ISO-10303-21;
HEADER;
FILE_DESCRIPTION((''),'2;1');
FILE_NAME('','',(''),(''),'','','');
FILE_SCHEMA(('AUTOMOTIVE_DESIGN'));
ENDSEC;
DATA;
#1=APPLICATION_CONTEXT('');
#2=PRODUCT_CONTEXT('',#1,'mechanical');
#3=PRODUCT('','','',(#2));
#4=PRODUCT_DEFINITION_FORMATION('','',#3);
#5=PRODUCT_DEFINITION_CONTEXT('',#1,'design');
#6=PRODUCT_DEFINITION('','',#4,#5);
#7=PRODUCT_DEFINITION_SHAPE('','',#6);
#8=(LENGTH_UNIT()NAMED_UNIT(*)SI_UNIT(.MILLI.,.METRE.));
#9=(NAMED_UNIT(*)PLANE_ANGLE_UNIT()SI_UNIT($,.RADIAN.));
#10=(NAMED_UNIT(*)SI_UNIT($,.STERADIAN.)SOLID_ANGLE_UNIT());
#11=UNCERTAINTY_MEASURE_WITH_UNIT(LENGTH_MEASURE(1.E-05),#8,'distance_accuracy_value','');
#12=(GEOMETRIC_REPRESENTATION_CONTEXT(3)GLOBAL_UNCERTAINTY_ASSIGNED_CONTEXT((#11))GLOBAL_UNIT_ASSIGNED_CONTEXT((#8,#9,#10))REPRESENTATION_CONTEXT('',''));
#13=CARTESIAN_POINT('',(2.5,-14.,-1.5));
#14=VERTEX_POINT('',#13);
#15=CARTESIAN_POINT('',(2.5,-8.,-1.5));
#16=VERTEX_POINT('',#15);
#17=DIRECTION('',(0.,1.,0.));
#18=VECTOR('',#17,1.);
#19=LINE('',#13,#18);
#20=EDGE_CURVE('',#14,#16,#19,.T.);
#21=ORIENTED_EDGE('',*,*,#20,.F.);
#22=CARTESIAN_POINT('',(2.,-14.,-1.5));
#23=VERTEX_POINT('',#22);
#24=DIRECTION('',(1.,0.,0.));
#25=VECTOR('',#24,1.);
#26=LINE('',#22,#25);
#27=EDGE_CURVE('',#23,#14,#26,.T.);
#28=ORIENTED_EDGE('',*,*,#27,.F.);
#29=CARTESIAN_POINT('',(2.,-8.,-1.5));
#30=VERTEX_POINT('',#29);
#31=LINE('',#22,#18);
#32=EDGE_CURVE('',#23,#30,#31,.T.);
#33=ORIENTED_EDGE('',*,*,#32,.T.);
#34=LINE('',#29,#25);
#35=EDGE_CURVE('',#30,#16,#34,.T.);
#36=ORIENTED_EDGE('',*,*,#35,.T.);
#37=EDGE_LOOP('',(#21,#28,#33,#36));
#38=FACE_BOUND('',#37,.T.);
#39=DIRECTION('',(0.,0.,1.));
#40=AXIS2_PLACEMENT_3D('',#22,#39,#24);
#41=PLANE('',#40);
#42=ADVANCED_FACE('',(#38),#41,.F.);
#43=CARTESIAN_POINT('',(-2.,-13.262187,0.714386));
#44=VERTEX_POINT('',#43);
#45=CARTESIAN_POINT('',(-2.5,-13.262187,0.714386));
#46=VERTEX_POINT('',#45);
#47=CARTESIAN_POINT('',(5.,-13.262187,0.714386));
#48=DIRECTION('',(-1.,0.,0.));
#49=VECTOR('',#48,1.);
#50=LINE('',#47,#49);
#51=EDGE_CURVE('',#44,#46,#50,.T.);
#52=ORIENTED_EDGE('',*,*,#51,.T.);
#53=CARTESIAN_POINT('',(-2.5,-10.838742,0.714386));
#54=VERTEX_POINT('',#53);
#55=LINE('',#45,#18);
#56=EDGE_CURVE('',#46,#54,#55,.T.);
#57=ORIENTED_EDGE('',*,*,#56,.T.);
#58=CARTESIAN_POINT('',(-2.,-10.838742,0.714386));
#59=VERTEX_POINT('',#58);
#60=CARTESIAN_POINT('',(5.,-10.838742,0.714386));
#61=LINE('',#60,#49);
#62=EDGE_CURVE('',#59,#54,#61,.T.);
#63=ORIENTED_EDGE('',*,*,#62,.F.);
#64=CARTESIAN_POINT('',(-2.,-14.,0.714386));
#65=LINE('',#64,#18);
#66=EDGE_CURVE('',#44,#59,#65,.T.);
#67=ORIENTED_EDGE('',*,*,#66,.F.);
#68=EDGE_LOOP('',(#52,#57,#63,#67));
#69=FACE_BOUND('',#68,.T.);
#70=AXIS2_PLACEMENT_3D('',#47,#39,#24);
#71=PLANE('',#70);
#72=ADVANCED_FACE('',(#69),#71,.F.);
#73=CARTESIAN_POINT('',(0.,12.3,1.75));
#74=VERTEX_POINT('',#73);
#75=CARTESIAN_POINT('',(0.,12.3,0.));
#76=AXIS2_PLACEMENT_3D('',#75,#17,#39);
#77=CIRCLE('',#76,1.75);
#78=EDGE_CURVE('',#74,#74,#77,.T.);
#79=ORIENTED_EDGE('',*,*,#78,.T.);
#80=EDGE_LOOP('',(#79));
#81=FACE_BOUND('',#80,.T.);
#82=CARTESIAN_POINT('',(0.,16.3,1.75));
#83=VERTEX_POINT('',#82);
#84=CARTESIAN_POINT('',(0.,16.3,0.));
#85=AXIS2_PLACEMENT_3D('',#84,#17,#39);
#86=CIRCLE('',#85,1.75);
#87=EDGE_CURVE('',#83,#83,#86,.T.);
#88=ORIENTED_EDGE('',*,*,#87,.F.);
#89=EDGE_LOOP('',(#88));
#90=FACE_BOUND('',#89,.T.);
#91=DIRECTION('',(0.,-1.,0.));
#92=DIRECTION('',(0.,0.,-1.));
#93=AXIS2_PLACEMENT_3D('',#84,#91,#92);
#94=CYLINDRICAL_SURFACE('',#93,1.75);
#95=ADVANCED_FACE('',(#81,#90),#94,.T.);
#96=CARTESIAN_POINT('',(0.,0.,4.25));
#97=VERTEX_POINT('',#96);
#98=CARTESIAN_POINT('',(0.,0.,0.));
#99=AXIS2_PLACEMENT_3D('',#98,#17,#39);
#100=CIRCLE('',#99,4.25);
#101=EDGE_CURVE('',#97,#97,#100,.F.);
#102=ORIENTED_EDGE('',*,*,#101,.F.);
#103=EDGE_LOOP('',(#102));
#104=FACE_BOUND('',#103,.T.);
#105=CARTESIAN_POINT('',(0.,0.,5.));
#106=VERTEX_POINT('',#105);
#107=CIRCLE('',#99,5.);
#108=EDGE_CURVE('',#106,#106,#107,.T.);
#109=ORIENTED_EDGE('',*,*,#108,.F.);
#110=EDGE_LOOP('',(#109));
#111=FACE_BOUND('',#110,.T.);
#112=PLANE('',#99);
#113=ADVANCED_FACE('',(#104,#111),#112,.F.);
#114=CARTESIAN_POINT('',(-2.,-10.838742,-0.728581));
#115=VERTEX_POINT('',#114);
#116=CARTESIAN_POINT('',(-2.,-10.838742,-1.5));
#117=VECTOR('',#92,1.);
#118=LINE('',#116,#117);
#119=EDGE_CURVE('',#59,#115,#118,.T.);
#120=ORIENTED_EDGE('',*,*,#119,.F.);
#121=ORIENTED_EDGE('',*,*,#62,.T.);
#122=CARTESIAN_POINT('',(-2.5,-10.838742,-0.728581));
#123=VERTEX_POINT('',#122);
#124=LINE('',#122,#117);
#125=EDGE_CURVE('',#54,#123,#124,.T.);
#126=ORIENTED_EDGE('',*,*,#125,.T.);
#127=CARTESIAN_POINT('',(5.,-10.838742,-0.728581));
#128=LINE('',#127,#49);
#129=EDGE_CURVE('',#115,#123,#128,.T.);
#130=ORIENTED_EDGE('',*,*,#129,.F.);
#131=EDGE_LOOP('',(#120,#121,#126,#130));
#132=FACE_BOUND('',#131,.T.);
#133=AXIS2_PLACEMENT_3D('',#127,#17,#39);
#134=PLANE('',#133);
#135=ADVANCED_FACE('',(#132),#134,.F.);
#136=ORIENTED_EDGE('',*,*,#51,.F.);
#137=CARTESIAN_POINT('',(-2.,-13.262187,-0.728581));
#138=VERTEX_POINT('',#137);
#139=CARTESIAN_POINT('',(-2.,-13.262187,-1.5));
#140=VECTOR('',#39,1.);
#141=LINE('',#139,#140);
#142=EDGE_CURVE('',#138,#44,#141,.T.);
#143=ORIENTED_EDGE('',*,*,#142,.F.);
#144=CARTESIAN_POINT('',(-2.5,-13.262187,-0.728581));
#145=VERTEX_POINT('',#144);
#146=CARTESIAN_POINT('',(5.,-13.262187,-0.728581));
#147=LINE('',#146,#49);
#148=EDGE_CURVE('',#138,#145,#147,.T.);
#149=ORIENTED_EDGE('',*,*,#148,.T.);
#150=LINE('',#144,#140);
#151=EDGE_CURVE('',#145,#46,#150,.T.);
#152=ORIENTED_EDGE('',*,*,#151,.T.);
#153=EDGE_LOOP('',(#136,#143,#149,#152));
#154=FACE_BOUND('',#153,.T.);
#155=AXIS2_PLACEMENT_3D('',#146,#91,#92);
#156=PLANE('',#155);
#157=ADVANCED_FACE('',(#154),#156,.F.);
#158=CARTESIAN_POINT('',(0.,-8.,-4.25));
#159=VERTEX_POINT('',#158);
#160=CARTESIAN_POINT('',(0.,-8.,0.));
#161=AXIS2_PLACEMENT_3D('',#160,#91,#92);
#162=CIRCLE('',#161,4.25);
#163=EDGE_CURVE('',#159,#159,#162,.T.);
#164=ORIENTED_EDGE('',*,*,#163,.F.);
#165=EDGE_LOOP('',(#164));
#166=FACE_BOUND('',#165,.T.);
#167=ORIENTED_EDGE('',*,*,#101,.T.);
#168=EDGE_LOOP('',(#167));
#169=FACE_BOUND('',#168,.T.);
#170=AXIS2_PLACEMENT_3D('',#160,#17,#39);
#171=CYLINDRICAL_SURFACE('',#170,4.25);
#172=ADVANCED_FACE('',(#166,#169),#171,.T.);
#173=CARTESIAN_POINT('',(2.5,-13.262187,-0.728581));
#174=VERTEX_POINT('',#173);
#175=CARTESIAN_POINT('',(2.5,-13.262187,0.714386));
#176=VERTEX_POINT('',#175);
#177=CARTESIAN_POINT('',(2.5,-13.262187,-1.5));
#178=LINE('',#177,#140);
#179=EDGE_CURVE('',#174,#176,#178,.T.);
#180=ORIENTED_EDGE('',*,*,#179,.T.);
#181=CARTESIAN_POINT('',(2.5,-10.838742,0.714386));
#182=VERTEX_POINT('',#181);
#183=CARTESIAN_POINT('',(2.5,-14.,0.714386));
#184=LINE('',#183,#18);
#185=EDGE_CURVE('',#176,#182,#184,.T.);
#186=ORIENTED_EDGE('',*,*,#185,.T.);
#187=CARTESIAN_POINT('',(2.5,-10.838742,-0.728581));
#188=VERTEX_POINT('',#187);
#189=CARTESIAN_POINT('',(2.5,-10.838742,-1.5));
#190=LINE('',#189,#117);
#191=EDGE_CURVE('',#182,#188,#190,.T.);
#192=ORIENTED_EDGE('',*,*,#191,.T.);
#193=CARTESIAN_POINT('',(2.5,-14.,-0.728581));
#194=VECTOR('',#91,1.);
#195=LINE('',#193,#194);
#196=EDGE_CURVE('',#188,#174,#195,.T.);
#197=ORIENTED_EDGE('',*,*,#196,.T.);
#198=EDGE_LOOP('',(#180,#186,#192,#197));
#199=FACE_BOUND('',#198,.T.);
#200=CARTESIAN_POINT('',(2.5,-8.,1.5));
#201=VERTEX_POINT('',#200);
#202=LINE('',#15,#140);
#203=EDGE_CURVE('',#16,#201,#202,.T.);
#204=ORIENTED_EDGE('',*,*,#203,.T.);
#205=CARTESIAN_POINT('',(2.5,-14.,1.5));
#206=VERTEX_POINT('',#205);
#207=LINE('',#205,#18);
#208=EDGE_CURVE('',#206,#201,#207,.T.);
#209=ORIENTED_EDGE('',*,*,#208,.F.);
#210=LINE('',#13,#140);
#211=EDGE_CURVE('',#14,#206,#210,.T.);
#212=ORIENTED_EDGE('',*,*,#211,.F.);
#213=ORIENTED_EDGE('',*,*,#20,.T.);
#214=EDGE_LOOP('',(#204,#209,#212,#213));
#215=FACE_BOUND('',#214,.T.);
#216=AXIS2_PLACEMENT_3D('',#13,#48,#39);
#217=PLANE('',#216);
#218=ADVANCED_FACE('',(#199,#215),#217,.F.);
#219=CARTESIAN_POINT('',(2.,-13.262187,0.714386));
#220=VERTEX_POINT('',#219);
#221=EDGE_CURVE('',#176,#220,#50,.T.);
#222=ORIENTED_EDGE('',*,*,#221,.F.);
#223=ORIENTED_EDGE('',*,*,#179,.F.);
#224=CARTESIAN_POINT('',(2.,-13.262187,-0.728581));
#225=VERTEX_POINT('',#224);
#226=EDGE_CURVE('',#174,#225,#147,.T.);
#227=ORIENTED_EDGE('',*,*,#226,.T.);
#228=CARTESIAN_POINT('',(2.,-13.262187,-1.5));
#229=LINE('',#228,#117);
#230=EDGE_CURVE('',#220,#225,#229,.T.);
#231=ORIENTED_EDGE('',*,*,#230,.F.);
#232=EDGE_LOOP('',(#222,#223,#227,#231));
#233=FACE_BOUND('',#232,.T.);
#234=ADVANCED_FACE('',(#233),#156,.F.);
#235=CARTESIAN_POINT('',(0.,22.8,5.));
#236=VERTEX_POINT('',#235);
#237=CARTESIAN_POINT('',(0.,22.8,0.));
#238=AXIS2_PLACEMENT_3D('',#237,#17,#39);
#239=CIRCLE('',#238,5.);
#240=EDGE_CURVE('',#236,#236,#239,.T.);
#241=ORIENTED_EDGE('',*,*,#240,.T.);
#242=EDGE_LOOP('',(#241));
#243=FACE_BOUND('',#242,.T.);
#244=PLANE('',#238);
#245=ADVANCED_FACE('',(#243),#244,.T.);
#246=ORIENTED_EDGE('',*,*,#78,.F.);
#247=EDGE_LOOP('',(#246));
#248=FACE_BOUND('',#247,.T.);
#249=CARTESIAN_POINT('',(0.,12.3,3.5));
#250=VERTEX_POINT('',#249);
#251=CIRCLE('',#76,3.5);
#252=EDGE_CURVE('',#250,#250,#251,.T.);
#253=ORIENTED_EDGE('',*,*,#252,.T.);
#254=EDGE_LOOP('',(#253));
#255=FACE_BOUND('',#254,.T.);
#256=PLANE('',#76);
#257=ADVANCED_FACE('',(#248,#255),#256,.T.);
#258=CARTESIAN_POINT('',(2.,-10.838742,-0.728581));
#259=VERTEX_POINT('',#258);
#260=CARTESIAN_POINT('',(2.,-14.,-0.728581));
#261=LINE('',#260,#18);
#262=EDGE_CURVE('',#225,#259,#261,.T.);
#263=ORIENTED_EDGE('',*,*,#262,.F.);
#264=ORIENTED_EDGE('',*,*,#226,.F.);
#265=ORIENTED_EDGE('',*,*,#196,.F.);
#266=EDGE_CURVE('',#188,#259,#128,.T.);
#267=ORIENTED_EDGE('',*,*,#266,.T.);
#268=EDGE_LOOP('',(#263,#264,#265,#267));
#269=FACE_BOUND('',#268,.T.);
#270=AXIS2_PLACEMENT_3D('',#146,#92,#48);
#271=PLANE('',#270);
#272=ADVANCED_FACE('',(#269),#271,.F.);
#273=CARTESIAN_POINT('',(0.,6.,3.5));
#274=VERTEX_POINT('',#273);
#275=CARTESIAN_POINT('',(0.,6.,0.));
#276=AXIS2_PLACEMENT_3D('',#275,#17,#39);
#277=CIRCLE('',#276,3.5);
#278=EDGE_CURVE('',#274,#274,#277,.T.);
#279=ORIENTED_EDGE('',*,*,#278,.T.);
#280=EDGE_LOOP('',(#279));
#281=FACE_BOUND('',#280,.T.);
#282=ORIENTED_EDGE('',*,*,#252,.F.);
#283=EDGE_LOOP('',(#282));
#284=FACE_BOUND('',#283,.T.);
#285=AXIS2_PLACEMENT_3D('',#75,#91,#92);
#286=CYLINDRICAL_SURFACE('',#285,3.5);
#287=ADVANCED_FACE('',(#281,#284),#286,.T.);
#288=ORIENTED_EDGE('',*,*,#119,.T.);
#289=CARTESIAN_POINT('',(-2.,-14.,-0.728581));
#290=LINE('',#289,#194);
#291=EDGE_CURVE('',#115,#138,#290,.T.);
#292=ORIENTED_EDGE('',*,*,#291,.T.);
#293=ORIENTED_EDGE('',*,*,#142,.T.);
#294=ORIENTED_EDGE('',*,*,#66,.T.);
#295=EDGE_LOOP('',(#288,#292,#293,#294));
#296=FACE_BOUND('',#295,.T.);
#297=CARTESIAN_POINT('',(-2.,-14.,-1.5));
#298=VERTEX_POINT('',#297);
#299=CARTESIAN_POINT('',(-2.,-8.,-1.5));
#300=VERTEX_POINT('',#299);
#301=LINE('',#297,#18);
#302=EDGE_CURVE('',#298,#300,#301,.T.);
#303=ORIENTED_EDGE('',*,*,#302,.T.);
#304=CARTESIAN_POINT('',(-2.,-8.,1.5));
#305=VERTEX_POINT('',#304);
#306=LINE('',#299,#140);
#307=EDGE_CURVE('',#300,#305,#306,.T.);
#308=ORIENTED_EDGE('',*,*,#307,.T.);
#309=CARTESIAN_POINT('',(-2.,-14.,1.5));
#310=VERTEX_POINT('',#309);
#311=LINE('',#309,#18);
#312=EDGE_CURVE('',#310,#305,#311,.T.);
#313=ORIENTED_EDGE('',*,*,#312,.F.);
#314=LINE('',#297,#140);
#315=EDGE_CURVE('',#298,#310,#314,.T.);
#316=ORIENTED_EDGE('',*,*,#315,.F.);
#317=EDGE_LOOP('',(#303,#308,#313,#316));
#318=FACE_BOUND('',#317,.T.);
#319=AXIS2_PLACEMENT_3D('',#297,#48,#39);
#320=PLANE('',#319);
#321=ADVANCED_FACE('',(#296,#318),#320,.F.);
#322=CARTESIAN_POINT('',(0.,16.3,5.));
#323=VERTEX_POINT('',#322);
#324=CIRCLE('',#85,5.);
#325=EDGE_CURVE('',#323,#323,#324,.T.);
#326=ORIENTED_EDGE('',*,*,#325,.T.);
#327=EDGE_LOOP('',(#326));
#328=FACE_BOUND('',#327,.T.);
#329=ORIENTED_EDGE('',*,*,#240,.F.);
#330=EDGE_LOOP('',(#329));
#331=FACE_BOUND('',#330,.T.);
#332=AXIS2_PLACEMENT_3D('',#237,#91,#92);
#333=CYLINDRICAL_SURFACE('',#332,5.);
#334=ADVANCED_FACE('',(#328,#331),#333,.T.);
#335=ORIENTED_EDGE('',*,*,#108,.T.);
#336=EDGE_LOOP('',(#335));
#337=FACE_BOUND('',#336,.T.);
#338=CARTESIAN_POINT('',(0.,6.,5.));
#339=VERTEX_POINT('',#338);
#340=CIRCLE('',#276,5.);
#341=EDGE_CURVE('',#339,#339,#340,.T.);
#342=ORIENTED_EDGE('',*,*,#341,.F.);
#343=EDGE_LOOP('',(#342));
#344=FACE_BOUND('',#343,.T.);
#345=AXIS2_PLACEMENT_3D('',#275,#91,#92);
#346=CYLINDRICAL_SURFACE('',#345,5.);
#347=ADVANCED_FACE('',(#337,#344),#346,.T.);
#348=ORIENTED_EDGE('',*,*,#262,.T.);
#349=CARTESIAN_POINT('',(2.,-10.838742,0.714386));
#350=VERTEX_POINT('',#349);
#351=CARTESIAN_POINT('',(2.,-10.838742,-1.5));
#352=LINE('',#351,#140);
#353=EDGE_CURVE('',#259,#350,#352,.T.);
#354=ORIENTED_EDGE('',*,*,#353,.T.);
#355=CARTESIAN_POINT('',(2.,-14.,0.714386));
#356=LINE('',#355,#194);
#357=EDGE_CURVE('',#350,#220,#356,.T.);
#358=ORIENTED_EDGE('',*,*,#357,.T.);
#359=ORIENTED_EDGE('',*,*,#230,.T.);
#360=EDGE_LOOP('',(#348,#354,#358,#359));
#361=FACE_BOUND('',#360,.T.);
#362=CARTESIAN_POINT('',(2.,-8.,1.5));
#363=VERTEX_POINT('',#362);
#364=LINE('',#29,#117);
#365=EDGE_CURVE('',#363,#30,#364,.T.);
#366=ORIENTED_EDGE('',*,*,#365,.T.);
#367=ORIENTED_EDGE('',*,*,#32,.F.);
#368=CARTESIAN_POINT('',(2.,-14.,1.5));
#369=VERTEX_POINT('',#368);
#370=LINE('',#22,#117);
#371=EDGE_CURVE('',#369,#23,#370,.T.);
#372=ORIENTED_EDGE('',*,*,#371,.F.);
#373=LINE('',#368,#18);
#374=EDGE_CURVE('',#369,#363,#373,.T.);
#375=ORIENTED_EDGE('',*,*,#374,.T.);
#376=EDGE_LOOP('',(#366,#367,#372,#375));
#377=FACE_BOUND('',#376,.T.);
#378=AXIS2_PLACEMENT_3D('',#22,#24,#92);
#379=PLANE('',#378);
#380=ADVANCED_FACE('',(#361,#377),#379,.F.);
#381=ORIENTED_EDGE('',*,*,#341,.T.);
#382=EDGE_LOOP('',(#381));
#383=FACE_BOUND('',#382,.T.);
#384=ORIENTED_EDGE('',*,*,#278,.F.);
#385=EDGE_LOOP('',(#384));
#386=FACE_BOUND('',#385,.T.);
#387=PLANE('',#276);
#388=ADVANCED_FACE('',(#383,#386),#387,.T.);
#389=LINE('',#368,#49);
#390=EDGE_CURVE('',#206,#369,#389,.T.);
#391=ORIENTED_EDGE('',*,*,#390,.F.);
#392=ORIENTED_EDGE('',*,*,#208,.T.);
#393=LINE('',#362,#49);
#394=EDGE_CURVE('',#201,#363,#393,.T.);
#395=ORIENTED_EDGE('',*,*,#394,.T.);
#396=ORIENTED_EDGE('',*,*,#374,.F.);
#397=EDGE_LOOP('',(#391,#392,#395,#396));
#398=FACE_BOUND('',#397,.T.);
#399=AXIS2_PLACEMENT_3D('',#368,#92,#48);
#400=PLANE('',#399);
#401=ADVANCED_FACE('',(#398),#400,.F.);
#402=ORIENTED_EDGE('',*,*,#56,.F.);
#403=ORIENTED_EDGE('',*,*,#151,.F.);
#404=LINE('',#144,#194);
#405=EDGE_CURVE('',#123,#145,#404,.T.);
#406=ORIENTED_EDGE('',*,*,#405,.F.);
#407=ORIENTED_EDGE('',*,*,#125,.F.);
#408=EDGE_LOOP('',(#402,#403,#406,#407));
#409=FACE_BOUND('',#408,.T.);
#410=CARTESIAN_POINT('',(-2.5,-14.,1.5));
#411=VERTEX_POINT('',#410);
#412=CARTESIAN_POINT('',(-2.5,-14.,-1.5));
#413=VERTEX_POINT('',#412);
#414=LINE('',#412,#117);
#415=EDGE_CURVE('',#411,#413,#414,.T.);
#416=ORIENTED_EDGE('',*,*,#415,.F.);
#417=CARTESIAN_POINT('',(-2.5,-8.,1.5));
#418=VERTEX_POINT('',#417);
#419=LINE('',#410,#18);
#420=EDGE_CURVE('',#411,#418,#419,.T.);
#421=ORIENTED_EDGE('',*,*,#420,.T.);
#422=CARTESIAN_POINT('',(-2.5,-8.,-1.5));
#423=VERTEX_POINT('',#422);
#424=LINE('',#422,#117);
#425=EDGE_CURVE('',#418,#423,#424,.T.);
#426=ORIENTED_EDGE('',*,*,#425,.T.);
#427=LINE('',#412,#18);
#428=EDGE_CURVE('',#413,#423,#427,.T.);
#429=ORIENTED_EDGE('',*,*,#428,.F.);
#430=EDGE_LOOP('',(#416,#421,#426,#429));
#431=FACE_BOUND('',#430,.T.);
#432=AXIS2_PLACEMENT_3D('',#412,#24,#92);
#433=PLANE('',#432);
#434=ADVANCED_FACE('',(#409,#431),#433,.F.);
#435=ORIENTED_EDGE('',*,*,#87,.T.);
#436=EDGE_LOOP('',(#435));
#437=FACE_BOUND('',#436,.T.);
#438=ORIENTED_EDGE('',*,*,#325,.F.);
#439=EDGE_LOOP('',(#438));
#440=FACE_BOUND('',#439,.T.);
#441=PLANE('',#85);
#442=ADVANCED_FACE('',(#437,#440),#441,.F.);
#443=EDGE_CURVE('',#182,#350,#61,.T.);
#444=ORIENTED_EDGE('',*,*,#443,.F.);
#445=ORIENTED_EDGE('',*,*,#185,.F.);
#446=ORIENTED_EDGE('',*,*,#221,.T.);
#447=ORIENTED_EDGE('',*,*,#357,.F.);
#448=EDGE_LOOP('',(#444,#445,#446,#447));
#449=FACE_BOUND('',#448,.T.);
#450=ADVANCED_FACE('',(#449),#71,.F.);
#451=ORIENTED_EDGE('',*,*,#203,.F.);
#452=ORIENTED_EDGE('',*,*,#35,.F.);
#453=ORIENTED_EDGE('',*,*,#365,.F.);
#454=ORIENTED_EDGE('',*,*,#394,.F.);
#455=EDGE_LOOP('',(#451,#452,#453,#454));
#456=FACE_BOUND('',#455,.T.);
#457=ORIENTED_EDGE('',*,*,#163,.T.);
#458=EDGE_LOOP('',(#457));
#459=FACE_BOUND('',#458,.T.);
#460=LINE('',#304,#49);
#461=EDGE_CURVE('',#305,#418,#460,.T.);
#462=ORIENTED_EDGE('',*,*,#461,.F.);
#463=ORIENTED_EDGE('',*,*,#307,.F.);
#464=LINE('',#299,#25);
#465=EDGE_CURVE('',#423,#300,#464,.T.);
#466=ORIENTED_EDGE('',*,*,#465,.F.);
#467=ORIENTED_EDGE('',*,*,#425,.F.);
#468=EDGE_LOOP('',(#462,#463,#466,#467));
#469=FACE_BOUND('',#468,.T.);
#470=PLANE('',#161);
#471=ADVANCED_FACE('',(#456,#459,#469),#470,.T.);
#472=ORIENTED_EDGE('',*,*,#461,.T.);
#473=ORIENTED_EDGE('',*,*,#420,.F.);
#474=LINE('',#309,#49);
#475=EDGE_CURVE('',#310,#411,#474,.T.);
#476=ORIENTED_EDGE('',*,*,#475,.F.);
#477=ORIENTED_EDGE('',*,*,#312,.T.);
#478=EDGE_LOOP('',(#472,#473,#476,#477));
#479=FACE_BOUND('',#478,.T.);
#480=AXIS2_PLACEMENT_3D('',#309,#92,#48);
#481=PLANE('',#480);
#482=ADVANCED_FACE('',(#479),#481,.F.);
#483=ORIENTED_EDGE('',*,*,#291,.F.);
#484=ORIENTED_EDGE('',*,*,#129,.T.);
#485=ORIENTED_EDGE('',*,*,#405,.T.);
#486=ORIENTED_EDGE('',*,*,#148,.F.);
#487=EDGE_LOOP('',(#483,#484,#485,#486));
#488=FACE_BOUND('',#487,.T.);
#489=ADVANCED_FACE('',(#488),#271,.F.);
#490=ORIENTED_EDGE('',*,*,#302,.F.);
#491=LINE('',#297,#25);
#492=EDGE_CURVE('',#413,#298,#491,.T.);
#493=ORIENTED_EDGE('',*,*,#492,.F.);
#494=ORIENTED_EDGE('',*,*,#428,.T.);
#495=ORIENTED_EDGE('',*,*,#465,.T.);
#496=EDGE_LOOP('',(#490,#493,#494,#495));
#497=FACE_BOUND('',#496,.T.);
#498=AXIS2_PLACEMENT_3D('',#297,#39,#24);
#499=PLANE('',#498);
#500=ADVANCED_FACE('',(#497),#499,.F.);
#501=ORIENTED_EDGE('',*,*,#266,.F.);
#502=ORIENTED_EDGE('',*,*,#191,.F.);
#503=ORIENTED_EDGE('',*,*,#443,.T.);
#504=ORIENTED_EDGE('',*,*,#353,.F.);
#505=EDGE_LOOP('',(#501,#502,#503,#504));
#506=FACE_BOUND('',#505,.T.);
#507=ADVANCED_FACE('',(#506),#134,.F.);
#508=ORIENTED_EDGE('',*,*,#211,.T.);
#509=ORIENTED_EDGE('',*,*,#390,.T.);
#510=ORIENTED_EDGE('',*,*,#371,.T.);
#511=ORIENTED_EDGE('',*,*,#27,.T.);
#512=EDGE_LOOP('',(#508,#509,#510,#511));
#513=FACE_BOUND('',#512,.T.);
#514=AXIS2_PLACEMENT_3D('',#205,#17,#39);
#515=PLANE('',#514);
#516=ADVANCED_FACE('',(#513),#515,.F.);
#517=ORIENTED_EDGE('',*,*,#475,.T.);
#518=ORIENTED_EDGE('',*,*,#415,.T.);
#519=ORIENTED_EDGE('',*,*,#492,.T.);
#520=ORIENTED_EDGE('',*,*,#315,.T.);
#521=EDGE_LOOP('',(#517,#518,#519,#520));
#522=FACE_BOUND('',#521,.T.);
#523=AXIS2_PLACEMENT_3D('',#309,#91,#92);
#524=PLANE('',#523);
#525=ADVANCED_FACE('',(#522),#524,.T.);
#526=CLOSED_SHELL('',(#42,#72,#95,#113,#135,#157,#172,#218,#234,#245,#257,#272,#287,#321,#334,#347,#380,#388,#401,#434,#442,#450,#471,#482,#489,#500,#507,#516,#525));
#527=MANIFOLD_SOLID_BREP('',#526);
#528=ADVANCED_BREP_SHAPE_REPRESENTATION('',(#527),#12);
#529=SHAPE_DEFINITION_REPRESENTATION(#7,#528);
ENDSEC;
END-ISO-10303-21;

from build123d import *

# Parameters (mm, degrees)
ESBO_O1_R                = 5
RESSALTO_EXTRUS_O1_DEPTH = 6
ESBO_O2_R                = 4.25
RESSALTO_EXTRUS_O2_DEPTH = 8
ESBO_O3_W                = 0.5
ESBO_O3_H                = 3
RESSALTO_EXTRUS_O3_DEPTH = 6
ESBO_O4_W                = 1.442967266
ESBO_O4_H                = 2.423445024
CORTE_EXTRUS_O1_DEPTH    = 8.5
ESBO_O5_R                = 3.5
RESSALTO_EXTRUS_O4_DEPTH = 6.3
ESBO_O6_R                = 1.75
RESSALTO_EXTRUS_O5_DEPTH = 4
ESBO_O7_R                = 5
RESSALTO_EXTRUS_O6_DEPTH = 6.5


with BuildPart() as part:
    # Esboço1 → Ressalto-extrusão1 (new body)
    with BuildSketch(Plane(origin=(0, 0, 0), x_dir=(1, 0, 0), z_dir=(0, 1, 0))):
        Circle(ESBO_O1_R)
    extrude(amount=RESSALTO_EXTRUS_O1_DEPTH)

    # Esboço2 → Ressalto-extrusão2 (add)
    with BuildSketch(Plane.XZ):
        Circle(ESBO_O2_R)
    extrude(amount=RESSALTO_EXTRUS_O2_DEPTH)

    # Esboço3 → Ressalto-extrusão3 (add)
    with BuildSketch(Plane.XZ.offset(8)):
        with Locations((2.25, 0)):
            Rectangle(ESBO_O3_W, ESBO_O3_H)
        with Locations((-2.25, 0)):
            Rectangle(ESBO_O3_W, ESBO_O3_H)
    extrude(amount=RESSALTO_EXTRUS_O3_DEPTH)

    # Esboço4 → Corte-extrusão1 (cut, through all)
    with BuildSketch(Plane.ZY.offset(2.5)):
        with Locations((-0.007097641, -12.050464305)):
            Rectangle(ESBO_O4_W, ESBO_O4_H)
    extrude(amount=-CORTE_EXTRUS_O1_DEPTH, mode=Mode.SUBTRACT)

    # Esboço5 → Ressalto-extrusão4 (add)
    with BuildSketch(Plane(origin=(0, 6, 0), x_dir=(1, 0, 0), z_dir=(0, 1, 0))):
        Circle(ESBO_O5_R)
    extrude(amount=RESSALTO_EXTRUS_O4_DEPTH)

    # Esboço6 → Ressalto-extrusão5 (add)
    with BuildSketch(Plane(origin=(0, 12.3, 0), x_dir=(1, 0, 0), z_dir=(0, 1, 0))):
        Circle(ESBO_O6_R)
    extrude(amount=RESSALTO_EXTRUS_O5_DEPTH)

    # Esboço7 → Ressalto-extrusão6 (add)
    with BuildSketch(Plane(origin=(0, 16.3, 0), x_dir=(1, 0, 0), z_dir=(0, 1, 0))):
        Circle(ESBO_O7_R)
    extrude(amount=RESSALTO_EXTRUS_O6_DEPTH)


solid = part.part
